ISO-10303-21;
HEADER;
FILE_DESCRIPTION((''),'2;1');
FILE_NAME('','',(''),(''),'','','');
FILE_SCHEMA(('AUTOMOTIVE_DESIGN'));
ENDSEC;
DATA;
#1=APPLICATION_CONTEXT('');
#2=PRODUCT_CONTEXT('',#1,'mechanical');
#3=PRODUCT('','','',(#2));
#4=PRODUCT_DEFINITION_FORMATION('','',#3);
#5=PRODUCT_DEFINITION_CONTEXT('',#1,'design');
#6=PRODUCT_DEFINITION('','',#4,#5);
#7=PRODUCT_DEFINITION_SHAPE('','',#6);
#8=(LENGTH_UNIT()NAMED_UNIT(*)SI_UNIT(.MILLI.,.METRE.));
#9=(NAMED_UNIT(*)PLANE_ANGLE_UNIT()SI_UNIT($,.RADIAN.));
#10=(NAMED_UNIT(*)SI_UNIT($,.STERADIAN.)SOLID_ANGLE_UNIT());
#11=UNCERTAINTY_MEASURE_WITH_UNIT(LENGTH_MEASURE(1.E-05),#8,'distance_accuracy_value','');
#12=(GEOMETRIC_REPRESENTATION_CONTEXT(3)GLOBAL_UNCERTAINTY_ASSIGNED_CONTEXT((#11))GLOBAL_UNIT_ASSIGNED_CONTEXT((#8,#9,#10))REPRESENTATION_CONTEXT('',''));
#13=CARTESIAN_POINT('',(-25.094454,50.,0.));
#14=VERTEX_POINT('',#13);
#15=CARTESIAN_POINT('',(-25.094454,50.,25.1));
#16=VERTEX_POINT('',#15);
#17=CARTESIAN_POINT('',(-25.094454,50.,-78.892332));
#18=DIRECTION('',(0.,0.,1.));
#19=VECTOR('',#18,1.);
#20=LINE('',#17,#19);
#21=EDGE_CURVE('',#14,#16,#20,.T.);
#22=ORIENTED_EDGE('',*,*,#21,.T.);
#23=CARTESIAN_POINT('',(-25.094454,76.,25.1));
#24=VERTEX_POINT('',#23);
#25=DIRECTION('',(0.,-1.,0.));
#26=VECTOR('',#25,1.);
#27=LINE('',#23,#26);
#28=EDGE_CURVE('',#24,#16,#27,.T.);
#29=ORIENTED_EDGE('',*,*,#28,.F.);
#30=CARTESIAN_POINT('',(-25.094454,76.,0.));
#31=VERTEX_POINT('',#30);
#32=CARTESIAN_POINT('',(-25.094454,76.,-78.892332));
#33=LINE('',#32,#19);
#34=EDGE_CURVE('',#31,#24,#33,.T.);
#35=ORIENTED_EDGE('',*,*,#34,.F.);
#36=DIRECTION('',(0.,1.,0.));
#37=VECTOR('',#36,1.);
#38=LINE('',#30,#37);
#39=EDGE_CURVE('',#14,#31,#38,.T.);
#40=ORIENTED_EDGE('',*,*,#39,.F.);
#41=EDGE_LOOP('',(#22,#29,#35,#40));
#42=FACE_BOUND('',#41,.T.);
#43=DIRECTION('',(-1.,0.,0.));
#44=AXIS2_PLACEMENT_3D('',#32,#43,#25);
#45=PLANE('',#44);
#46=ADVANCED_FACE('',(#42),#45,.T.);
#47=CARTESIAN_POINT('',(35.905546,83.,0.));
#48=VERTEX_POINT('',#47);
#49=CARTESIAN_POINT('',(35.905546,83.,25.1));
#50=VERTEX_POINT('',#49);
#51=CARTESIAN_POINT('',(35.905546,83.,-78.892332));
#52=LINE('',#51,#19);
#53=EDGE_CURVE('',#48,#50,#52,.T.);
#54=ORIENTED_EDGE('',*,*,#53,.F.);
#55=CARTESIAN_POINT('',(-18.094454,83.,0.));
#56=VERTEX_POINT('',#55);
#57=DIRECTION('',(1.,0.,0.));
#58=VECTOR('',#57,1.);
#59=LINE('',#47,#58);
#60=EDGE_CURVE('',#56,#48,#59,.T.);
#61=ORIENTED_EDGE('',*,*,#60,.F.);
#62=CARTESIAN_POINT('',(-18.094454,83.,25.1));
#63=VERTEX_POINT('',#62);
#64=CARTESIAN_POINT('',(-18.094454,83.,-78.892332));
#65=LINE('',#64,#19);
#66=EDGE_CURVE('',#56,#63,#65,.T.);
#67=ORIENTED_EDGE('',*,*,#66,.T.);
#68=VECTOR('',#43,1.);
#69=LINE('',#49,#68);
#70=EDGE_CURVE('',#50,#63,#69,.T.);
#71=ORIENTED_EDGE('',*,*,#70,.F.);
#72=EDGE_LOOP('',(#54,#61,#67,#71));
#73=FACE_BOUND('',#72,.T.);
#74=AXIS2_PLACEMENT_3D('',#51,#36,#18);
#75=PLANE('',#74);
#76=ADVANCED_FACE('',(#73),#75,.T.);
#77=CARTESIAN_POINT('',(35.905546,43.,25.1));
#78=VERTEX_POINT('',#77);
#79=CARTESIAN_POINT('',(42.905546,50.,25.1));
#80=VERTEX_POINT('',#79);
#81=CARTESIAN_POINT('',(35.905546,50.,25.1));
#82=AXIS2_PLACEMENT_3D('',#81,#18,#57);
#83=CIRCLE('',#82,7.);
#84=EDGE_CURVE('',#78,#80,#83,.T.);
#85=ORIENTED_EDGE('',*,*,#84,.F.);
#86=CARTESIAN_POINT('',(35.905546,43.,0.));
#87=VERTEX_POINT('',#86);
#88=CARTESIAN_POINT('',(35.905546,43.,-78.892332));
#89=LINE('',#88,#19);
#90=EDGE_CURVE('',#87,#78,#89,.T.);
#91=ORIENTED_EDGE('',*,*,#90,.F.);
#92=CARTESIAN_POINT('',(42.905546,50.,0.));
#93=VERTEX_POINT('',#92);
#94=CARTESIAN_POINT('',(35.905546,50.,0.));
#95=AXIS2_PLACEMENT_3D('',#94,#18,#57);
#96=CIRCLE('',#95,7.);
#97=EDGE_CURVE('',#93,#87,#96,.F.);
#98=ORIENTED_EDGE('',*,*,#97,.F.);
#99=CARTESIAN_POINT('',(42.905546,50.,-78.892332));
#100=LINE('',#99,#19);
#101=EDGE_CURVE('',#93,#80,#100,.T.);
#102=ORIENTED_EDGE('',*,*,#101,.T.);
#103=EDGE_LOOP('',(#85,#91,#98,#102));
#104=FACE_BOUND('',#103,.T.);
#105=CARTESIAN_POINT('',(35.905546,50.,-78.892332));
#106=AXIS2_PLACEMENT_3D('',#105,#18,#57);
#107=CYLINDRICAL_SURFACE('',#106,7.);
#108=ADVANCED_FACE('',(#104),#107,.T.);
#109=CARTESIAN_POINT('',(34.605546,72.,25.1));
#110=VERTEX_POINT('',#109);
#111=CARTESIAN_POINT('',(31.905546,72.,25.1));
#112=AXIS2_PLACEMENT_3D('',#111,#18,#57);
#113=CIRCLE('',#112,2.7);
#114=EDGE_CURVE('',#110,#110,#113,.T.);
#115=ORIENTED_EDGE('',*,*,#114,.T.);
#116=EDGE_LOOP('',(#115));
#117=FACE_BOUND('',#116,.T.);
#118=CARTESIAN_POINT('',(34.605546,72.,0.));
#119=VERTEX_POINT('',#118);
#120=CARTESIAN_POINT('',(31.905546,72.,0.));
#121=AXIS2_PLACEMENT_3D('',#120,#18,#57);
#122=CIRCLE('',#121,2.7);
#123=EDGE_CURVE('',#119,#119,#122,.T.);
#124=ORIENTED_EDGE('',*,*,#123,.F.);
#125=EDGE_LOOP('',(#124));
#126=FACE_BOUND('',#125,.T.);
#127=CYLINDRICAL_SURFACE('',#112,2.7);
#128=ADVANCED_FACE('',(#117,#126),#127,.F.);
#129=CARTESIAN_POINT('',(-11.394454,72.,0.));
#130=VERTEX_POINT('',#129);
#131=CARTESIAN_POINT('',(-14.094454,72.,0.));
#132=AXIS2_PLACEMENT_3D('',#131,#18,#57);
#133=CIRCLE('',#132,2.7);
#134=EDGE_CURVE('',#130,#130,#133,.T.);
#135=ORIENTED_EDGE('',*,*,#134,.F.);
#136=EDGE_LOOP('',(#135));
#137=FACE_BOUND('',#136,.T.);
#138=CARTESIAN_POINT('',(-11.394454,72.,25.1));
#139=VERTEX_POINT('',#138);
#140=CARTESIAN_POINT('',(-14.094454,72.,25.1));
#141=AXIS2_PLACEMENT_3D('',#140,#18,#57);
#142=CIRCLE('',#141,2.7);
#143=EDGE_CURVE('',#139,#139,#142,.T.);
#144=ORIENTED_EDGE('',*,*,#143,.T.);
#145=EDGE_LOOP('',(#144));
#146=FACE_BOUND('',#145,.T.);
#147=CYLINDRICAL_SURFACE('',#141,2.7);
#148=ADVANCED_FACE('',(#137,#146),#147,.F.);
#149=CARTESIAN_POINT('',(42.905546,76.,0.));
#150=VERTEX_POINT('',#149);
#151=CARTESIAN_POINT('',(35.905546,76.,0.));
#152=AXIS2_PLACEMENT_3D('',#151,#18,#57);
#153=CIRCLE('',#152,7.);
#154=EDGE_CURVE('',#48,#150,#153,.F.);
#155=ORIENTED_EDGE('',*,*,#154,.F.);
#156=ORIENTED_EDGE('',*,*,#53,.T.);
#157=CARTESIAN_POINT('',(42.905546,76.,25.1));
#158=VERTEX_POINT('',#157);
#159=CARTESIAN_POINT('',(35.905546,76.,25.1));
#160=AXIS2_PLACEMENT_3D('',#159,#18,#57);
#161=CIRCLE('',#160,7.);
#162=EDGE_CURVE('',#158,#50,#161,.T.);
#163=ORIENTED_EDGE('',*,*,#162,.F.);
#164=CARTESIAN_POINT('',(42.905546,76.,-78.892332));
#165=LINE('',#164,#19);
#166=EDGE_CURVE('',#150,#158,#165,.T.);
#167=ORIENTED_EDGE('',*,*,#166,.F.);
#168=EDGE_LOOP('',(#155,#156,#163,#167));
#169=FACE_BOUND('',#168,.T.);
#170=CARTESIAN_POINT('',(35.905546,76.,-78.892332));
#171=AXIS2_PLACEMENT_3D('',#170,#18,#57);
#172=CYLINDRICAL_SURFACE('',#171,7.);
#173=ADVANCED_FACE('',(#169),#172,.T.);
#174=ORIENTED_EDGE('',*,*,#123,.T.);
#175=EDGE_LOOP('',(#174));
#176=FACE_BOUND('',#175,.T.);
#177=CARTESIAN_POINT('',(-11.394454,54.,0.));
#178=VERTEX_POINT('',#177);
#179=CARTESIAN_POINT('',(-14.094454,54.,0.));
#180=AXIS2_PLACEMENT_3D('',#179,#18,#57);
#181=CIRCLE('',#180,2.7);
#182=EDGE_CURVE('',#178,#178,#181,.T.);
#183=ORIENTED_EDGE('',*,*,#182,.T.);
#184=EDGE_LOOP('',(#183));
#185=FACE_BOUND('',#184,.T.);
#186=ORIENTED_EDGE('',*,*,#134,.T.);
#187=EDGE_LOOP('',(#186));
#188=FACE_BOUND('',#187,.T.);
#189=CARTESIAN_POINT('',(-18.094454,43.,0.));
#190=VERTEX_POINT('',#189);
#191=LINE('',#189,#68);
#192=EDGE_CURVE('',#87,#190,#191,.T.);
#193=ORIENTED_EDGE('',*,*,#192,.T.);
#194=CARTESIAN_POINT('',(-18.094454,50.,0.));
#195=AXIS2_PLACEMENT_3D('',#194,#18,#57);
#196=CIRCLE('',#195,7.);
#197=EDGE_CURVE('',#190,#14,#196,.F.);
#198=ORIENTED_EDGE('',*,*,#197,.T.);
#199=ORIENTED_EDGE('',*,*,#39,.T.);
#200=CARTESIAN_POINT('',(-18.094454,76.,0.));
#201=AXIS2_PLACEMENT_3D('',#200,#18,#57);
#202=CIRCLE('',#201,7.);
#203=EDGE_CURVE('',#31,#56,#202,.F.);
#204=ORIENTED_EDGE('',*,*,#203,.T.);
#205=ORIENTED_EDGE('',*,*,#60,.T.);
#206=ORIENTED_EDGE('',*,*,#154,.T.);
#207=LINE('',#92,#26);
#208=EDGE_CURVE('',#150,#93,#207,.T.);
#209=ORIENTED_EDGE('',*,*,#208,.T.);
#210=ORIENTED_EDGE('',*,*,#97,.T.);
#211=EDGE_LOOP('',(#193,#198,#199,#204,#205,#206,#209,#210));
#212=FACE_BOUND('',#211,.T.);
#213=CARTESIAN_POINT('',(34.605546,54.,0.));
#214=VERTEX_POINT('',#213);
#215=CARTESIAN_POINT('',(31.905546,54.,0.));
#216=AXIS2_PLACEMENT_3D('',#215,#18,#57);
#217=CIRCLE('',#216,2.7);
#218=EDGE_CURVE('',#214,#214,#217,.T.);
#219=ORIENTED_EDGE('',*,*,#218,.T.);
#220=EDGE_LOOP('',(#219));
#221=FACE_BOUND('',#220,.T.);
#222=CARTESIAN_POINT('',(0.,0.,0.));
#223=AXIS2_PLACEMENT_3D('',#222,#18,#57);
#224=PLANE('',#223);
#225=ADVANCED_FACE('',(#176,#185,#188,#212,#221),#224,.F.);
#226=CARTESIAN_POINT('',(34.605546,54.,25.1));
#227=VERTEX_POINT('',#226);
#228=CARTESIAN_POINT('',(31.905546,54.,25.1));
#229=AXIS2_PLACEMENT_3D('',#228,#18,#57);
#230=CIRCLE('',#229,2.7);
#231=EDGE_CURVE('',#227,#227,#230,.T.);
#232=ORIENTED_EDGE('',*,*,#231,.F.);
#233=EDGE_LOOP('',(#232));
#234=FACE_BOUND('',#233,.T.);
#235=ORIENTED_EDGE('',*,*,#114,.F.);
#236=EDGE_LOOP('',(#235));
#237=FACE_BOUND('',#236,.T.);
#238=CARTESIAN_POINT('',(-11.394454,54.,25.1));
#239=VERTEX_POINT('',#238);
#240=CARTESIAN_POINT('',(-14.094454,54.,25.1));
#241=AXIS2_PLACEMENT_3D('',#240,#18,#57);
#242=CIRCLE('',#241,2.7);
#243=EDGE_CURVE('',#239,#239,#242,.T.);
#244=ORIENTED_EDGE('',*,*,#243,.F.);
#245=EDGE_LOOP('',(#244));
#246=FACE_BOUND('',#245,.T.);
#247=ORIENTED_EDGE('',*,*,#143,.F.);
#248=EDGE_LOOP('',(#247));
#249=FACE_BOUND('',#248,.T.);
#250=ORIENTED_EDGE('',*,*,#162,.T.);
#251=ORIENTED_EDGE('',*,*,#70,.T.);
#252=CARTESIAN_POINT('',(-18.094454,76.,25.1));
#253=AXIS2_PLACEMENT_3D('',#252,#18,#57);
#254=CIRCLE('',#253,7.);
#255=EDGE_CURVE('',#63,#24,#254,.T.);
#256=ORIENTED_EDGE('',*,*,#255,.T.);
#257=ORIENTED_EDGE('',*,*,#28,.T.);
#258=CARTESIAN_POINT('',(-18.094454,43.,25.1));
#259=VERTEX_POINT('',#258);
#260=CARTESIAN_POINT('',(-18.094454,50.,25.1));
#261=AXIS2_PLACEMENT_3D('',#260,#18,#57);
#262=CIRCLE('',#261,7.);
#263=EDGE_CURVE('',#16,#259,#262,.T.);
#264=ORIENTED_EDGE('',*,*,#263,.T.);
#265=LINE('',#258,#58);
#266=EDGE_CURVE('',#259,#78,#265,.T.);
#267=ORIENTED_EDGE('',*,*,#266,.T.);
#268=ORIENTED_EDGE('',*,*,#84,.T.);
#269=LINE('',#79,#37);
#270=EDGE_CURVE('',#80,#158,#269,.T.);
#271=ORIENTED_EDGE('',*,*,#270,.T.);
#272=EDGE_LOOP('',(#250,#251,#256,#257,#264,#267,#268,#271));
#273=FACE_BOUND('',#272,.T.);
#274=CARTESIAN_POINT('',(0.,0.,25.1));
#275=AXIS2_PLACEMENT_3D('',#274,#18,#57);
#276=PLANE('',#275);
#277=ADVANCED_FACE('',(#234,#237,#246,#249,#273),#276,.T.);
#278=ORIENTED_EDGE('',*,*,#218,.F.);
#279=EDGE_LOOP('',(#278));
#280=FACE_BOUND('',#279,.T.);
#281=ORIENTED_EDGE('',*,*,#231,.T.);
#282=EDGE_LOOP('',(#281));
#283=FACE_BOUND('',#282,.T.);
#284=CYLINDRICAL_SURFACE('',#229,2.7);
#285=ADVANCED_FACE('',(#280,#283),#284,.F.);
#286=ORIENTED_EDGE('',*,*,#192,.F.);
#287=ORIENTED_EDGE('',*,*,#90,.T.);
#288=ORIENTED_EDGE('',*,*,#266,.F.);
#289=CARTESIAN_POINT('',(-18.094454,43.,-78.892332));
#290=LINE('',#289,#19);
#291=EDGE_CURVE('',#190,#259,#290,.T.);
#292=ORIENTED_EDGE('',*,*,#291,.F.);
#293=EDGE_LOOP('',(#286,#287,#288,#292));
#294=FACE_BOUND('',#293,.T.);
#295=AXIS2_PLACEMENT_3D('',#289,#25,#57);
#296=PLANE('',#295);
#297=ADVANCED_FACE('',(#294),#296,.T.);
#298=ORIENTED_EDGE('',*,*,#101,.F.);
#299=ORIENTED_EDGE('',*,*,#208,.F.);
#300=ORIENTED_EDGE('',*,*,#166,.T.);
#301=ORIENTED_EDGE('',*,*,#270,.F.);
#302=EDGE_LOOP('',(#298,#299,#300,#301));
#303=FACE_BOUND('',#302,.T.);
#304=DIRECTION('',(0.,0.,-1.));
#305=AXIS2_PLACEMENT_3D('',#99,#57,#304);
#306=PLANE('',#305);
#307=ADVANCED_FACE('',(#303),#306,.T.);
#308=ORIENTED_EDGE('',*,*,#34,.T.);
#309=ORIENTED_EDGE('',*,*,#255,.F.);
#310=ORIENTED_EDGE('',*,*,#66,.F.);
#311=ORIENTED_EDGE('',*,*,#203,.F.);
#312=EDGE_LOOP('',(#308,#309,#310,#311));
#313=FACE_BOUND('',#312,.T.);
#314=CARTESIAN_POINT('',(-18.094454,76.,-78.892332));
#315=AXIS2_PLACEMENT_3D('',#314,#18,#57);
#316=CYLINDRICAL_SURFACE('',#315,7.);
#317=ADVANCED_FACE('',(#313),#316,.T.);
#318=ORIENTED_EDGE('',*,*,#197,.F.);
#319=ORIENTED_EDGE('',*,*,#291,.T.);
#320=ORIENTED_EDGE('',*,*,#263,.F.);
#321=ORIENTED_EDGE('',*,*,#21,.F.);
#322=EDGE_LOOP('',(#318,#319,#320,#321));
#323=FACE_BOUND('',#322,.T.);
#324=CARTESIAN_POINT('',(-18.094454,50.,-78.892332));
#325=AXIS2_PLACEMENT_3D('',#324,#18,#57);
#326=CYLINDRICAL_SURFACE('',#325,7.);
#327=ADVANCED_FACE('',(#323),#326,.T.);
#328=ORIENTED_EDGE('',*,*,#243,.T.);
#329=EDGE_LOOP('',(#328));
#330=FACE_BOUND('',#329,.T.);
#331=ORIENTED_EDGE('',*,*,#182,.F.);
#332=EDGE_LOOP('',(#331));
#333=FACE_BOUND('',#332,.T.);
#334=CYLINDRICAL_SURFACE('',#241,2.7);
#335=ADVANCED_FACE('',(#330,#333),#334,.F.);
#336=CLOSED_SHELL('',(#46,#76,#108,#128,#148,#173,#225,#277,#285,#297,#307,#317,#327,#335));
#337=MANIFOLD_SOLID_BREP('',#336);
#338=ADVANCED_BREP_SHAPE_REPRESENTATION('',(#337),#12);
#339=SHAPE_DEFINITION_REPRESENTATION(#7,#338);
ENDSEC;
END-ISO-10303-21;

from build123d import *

# Parameters (mm, degrees)
SKETCH1_W            = 59.999999999
SKETCH1_H            = 32
BOSS_EXTRUDE1_DEPTH  = 25.1
M5_CLEARANCE_HOLE1_D = 5.4
FILLET1_R            = 3
BOSS_EXTRUDE2_DEPTH  = 25.1


with BuildPart() as part:
    # Sketch1 → Boss-Extrude1 (new body)
    with BuildSketch(Plane.XY):
        with Locations((8.905545777, 63)):
            Rectangle(SKETCH1_W, SKETCH1_H)
    extrude(amount=BOSS_EXTRUDE1_DEPTH)

    # M5 Clearance Hole1 (through all)
    with Locations(Plane(origin=(0, 0, 25.1), x_dir=(-1, 0, 0), z_dir=(0, 0, 1))):
        with Locations((-31.905545776, -72), (-31.905545776, -54), (14.094454224, -54), (14.094454224, -72)):
            Hole(M5_CLEARANCE_HOLE1_D / 2)

    # Fillet1
    fillet1_edges = [part.edges().sort_by_distance(p)[0] for p in [
        (-21.094454223, 47, 12.55),
        (-21.094454223, 79, 12.55),
        (38.905545776, 79, 12.55),
        (38.905545776, 47, 12.55),
    ]]
    fillet(fillet1_edges, radius=FILLET1_R)

    # Sketch4 → Boss-Extrude2 (add)
    with BuildSketch(Plane.XY.offset(25.1)):
        with BuildLine():
            Line((42.905545776, 50), (42.905545776, 76))
            ThreePointArc((42.905545776, 76), (40.855293244, 80.949747468), (35.905545776, 83))
            Line((35.905545776, 83), (-18.094454223, 83))
            ThreePointArc((-18.094454223, 83), (-23.044201691, 80.949747468), (-25.094454223, 76))
            Line((-25.094454223, 76), (-25.094454223, 50))
            ThreePointArc((-25.094454223, 50), (-23.044201691, 45.050252532), (-18.094454223, 43))
            Line((-18.094454223, 43), (35.905545776, 43))
            ThreePointArc((35.905545776, 43), (40.855293244, 45.050252532), (42.905545776, 50))
        make_face()
        with BuildLine():
            Line((35.905545776, 79), (-18.094454223, 79))
            ThreePointArc((-18.094454223, 79), (-20.215774567, 78.121320343), (-21.094454223, 76))
            Line((-21.094454223, 76), (-21.094454223, 50))
            ThreePointArc((-21.094454223, 50), (-20.215774567, 47.878679656), (-18.094454223, 47))
            Line((-18.094454223, 47), (35.905545776, 47))
            ThreePointArc((35.905545776, 47), (38.026866119, 47.878679656), (38.905545776, 50))
            Line((38.905545776, 50), (38.905545776, 76))
            ThreePointArc((38.905545776, 76), (38.026866119, 78.121320343), (35.905545776, 79))
        make_face(mode=Mode.SUBTRACT)
    extrude(amount=-BOSS_EXTRUDE2_DEPTH)


solid = part.part
